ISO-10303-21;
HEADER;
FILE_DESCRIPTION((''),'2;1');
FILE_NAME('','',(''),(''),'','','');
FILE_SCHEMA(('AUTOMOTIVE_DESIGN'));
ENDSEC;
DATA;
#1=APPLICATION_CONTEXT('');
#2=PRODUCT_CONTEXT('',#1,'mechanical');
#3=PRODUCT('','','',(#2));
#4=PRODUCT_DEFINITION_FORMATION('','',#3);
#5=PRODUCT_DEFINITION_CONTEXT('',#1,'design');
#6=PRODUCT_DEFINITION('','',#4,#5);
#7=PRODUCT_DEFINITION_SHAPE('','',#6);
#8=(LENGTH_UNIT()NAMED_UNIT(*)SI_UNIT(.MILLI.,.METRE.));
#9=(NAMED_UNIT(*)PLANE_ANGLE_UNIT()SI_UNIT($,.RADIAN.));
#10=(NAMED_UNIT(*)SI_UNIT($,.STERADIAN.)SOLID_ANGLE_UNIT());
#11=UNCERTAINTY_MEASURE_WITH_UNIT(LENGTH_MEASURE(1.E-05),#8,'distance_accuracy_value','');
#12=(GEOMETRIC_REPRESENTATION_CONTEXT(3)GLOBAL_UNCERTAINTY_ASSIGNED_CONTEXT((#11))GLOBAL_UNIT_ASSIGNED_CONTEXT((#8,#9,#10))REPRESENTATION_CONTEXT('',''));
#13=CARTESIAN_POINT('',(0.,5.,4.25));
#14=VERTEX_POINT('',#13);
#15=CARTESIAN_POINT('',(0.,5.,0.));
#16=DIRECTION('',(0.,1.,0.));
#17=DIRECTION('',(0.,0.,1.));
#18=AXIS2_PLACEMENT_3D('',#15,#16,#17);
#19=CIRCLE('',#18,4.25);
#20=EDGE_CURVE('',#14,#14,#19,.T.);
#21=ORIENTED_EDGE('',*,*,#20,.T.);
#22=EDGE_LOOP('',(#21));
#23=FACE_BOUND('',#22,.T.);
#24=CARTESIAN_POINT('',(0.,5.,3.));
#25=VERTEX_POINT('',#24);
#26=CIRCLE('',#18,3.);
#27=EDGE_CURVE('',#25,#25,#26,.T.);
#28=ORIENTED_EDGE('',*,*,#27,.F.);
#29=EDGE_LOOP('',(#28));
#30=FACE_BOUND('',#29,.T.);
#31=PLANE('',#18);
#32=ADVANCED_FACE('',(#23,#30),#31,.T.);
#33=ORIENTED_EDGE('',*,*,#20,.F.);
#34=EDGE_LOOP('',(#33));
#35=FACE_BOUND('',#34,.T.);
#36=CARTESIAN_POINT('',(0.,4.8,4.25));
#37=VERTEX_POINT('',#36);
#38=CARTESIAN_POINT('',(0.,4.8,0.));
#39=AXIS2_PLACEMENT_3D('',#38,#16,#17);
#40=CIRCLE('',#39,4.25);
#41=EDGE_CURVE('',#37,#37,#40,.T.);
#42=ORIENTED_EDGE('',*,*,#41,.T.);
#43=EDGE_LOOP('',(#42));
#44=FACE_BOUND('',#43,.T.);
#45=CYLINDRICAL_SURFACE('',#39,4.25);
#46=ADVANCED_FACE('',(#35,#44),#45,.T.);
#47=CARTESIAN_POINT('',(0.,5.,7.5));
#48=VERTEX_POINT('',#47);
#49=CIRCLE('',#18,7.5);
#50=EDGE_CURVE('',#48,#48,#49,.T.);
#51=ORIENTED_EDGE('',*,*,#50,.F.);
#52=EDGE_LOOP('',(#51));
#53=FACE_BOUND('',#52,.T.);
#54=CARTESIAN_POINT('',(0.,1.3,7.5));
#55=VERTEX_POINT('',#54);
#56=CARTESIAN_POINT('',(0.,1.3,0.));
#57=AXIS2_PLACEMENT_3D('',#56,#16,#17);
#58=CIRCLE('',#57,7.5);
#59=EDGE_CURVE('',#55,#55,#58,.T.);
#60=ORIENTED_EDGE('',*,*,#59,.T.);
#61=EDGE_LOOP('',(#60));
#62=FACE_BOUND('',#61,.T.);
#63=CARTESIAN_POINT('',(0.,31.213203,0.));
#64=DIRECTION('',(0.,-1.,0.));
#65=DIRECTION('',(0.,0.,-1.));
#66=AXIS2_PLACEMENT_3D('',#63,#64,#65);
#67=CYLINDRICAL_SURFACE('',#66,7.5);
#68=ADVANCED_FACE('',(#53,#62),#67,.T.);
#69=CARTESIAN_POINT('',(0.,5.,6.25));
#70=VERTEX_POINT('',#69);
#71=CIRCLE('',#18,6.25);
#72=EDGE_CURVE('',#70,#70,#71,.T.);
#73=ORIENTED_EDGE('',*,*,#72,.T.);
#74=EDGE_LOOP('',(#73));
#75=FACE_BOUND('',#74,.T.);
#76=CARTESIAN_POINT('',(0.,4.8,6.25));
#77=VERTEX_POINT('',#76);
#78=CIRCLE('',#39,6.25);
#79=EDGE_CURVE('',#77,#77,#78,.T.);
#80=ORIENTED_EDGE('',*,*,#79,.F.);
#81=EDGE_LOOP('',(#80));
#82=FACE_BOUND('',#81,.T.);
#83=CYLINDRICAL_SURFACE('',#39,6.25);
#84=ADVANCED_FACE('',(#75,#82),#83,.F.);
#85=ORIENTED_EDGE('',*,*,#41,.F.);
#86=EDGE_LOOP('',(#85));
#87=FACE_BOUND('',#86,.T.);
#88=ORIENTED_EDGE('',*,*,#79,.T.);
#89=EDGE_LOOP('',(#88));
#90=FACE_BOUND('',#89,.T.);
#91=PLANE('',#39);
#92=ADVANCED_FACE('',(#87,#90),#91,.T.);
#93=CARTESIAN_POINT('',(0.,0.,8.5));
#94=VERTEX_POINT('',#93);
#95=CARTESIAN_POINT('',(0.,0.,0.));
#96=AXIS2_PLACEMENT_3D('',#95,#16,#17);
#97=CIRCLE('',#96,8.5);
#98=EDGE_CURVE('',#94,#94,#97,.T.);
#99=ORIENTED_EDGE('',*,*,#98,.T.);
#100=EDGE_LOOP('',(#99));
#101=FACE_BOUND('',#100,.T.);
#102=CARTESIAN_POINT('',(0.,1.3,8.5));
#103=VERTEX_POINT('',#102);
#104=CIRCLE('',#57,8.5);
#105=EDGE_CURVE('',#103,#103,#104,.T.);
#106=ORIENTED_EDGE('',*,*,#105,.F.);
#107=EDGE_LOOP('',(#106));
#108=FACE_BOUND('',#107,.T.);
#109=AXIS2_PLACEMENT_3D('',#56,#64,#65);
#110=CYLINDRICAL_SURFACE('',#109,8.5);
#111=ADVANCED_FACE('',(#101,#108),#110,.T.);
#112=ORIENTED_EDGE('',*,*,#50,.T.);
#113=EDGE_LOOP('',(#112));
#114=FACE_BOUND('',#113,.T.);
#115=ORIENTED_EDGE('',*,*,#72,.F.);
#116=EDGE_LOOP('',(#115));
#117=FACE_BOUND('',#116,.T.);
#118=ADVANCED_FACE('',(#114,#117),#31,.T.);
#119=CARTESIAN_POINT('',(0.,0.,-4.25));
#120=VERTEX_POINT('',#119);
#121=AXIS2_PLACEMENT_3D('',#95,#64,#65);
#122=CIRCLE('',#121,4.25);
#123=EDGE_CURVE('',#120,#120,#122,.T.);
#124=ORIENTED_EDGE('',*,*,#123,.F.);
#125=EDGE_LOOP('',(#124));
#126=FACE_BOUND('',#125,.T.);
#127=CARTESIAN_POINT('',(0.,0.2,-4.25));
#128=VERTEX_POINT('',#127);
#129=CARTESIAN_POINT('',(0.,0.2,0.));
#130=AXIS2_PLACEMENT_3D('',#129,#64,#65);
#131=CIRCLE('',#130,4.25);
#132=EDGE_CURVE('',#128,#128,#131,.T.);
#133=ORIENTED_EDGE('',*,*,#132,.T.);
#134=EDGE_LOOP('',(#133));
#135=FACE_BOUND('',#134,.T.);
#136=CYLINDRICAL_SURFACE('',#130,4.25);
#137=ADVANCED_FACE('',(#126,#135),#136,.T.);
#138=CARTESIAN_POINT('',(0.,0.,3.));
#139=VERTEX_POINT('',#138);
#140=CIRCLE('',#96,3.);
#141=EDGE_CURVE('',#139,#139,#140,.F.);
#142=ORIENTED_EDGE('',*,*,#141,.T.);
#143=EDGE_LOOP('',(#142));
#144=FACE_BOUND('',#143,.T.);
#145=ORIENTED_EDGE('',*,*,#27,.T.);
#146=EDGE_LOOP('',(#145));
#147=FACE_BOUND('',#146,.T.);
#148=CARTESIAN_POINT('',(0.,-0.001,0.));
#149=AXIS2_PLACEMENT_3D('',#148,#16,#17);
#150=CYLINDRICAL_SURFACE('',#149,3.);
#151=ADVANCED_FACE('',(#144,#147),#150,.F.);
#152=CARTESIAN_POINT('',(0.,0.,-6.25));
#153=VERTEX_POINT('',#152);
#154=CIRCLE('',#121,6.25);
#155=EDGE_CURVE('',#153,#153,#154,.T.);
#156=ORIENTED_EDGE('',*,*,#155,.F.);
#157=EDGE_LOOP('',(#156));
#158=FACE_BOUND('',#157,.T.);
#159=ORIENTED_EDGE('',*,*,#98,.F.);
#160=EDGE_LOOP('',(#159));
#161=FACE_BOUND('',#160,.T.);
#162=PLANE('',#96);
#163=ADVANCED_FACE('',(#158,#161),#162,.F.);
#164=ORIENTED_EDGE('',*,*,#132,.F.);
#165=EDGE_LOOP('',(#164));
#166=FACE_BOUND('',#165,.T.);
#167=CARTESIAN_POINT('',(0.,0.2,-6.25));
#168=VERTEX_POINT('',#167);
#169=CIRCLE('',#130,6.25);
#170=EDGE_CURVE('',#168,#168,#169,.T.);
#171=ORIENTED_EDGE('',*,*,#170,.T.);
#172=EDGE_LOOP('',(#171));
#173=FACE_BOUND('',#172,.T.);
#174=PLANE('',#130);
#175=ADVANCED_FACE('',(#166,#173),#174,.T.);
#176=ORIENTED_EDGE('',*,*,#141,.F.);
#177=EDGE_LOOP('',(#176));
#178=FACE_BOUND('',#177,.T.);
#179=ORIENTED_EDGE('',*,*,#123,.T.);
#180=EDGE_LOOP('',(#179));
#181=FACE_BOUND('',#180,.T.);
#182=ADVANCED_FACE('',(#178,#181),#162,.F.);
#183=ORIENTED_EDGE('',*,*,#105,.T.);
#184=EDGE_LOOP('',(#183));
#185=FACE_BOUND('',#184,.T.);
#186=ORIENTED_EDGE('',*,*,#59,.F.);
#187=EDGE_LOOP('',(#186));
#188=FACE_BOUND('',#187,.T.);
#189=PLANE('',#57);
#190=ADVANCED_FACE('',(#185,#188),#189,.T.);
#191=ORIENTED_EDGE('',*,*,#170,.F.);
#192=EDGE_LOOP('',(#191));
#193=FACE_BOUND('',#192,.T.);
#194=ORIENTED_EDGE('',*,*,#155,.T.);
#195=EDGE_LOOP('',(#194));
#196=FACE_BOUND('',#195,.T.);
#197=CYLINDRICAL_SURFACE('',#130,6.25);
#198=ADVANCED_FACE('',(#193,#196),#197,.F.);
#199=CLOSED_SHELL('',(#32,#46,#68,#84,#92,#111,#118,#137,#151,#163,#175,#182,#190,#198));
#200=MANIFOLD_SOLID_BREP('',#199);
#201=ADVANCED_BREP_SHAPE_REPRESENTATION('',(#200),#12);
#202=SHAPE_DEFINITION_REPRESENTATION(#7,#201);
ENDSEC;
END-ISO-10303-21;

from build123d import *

# Parameters (mm, degrees)
SKETCH_1_R          = 8.5
EXTRUDE_1_DEPTH     = 1.3
SKETCH_2_R          = 7.5
EXTRUDE_2_DEPTH     = 3.7
CUT_EXTRUDE_1_REACH = 15.019
SKETCH_3_R          = 3
SKETCH_4_R          = 6.25
SKETCH_4_R_2        = 4.25
CUT_EXTRUDE_2_DEPTH = 0.2
CUT_EXTRUDE_START   = -0.2
SKETCH_5_R          = 6.25
SKETCH_5_R_2        = 4.25
CUT_EXTRUDE_3_DEPTH = 0.2


with BuildPart() as part:
    # 草图1 → 凸台-拉伸1 (new body)
    with BuildSketch(Plane(origin=(0, 0, 0), x_dir=(1, 0, 0), z_dir=(0, 1, 0))):
        with Locations(Location((0, 0, 0), (0, 0, 270))):
            Circle(SKETCH_1_R)
    extrude(amount=EXTRUDE_1_DEPTH)

    # 草图2 → 凸台-拉伸2 (add)
    with BuildSketch(Plane(origin=(0, 1.3, 0), x_dir=(1, 0, 0), z_dir=(0, 1, 0))):
        with Locations(Location((0, 0, 0), (0, 0, 270))):
            Circle(SKETCH_2_R)
    extrude(amount=EXTRUDE_2_DEPTH)

    # 草图3 → 切除-拉伸1 (cut, up to next)
    with BuildSketch(Plane(origin=(0, 5, 0), x_dir=(1, 0, 0), z_dir=(0, 1, 0)), mode=Mode.PRIVATE) as cut_extrude_1_sk1:
        with Locations(Location((0, 0, 0), (0, 0, 270))):
            Circle(SKETCH_3_R)
    cut_extrude_1_tool1 = extrude(cut_extrude_1_sk1.sketch, amount=-CUT_EXTRUDE_1_REACH, mode=Mode.PRIVATE) & part.part
    add(cut_extrude_1_tool1.solids().sort_by_distance((0, 5, 0))[0], mode=Mode.SUBTRACT)

    # 草图4 → 切除-拉伸2 (cut)
    with BuildSketch(Plane(origin=(0, 5, 0), x_dir=(1, 0, 0), z_dir=(0, 1, 0))):
        with Locations(Location((0, 0, 0), (0, 0, 270))):
            Circle(SKETCH_4_R)
        with Locations(Location((0, 0, 0), (0, 0, 270))):
            Circle(SKETCH_4_R_2, mode=Mode.SUBTRACT)
    extrude(amount=-CUT_EXTRUDE_2_DEPTH, mode=Mode.SUBTRACT)

    # 草图5 → 切除-拉伸3 (cut)
    with BuildSketch(Plane.XZ.offset(CUT_EXTRUDE_START)):
        with Locations(Location((0, 0, 0), (0, 0, 90))):
            Circle(SKETCH_5_R)
        with Locations(Location((0, 0, 0), (0, 0, 90))):
            Circle(SKETCH_5_R_2, mode=Mode.SUBTRACT)
    extrude(amount=CUT_EXTRUDE_3_DEPTH, mode=Mode.SUBTRACT)


solid = part.part
